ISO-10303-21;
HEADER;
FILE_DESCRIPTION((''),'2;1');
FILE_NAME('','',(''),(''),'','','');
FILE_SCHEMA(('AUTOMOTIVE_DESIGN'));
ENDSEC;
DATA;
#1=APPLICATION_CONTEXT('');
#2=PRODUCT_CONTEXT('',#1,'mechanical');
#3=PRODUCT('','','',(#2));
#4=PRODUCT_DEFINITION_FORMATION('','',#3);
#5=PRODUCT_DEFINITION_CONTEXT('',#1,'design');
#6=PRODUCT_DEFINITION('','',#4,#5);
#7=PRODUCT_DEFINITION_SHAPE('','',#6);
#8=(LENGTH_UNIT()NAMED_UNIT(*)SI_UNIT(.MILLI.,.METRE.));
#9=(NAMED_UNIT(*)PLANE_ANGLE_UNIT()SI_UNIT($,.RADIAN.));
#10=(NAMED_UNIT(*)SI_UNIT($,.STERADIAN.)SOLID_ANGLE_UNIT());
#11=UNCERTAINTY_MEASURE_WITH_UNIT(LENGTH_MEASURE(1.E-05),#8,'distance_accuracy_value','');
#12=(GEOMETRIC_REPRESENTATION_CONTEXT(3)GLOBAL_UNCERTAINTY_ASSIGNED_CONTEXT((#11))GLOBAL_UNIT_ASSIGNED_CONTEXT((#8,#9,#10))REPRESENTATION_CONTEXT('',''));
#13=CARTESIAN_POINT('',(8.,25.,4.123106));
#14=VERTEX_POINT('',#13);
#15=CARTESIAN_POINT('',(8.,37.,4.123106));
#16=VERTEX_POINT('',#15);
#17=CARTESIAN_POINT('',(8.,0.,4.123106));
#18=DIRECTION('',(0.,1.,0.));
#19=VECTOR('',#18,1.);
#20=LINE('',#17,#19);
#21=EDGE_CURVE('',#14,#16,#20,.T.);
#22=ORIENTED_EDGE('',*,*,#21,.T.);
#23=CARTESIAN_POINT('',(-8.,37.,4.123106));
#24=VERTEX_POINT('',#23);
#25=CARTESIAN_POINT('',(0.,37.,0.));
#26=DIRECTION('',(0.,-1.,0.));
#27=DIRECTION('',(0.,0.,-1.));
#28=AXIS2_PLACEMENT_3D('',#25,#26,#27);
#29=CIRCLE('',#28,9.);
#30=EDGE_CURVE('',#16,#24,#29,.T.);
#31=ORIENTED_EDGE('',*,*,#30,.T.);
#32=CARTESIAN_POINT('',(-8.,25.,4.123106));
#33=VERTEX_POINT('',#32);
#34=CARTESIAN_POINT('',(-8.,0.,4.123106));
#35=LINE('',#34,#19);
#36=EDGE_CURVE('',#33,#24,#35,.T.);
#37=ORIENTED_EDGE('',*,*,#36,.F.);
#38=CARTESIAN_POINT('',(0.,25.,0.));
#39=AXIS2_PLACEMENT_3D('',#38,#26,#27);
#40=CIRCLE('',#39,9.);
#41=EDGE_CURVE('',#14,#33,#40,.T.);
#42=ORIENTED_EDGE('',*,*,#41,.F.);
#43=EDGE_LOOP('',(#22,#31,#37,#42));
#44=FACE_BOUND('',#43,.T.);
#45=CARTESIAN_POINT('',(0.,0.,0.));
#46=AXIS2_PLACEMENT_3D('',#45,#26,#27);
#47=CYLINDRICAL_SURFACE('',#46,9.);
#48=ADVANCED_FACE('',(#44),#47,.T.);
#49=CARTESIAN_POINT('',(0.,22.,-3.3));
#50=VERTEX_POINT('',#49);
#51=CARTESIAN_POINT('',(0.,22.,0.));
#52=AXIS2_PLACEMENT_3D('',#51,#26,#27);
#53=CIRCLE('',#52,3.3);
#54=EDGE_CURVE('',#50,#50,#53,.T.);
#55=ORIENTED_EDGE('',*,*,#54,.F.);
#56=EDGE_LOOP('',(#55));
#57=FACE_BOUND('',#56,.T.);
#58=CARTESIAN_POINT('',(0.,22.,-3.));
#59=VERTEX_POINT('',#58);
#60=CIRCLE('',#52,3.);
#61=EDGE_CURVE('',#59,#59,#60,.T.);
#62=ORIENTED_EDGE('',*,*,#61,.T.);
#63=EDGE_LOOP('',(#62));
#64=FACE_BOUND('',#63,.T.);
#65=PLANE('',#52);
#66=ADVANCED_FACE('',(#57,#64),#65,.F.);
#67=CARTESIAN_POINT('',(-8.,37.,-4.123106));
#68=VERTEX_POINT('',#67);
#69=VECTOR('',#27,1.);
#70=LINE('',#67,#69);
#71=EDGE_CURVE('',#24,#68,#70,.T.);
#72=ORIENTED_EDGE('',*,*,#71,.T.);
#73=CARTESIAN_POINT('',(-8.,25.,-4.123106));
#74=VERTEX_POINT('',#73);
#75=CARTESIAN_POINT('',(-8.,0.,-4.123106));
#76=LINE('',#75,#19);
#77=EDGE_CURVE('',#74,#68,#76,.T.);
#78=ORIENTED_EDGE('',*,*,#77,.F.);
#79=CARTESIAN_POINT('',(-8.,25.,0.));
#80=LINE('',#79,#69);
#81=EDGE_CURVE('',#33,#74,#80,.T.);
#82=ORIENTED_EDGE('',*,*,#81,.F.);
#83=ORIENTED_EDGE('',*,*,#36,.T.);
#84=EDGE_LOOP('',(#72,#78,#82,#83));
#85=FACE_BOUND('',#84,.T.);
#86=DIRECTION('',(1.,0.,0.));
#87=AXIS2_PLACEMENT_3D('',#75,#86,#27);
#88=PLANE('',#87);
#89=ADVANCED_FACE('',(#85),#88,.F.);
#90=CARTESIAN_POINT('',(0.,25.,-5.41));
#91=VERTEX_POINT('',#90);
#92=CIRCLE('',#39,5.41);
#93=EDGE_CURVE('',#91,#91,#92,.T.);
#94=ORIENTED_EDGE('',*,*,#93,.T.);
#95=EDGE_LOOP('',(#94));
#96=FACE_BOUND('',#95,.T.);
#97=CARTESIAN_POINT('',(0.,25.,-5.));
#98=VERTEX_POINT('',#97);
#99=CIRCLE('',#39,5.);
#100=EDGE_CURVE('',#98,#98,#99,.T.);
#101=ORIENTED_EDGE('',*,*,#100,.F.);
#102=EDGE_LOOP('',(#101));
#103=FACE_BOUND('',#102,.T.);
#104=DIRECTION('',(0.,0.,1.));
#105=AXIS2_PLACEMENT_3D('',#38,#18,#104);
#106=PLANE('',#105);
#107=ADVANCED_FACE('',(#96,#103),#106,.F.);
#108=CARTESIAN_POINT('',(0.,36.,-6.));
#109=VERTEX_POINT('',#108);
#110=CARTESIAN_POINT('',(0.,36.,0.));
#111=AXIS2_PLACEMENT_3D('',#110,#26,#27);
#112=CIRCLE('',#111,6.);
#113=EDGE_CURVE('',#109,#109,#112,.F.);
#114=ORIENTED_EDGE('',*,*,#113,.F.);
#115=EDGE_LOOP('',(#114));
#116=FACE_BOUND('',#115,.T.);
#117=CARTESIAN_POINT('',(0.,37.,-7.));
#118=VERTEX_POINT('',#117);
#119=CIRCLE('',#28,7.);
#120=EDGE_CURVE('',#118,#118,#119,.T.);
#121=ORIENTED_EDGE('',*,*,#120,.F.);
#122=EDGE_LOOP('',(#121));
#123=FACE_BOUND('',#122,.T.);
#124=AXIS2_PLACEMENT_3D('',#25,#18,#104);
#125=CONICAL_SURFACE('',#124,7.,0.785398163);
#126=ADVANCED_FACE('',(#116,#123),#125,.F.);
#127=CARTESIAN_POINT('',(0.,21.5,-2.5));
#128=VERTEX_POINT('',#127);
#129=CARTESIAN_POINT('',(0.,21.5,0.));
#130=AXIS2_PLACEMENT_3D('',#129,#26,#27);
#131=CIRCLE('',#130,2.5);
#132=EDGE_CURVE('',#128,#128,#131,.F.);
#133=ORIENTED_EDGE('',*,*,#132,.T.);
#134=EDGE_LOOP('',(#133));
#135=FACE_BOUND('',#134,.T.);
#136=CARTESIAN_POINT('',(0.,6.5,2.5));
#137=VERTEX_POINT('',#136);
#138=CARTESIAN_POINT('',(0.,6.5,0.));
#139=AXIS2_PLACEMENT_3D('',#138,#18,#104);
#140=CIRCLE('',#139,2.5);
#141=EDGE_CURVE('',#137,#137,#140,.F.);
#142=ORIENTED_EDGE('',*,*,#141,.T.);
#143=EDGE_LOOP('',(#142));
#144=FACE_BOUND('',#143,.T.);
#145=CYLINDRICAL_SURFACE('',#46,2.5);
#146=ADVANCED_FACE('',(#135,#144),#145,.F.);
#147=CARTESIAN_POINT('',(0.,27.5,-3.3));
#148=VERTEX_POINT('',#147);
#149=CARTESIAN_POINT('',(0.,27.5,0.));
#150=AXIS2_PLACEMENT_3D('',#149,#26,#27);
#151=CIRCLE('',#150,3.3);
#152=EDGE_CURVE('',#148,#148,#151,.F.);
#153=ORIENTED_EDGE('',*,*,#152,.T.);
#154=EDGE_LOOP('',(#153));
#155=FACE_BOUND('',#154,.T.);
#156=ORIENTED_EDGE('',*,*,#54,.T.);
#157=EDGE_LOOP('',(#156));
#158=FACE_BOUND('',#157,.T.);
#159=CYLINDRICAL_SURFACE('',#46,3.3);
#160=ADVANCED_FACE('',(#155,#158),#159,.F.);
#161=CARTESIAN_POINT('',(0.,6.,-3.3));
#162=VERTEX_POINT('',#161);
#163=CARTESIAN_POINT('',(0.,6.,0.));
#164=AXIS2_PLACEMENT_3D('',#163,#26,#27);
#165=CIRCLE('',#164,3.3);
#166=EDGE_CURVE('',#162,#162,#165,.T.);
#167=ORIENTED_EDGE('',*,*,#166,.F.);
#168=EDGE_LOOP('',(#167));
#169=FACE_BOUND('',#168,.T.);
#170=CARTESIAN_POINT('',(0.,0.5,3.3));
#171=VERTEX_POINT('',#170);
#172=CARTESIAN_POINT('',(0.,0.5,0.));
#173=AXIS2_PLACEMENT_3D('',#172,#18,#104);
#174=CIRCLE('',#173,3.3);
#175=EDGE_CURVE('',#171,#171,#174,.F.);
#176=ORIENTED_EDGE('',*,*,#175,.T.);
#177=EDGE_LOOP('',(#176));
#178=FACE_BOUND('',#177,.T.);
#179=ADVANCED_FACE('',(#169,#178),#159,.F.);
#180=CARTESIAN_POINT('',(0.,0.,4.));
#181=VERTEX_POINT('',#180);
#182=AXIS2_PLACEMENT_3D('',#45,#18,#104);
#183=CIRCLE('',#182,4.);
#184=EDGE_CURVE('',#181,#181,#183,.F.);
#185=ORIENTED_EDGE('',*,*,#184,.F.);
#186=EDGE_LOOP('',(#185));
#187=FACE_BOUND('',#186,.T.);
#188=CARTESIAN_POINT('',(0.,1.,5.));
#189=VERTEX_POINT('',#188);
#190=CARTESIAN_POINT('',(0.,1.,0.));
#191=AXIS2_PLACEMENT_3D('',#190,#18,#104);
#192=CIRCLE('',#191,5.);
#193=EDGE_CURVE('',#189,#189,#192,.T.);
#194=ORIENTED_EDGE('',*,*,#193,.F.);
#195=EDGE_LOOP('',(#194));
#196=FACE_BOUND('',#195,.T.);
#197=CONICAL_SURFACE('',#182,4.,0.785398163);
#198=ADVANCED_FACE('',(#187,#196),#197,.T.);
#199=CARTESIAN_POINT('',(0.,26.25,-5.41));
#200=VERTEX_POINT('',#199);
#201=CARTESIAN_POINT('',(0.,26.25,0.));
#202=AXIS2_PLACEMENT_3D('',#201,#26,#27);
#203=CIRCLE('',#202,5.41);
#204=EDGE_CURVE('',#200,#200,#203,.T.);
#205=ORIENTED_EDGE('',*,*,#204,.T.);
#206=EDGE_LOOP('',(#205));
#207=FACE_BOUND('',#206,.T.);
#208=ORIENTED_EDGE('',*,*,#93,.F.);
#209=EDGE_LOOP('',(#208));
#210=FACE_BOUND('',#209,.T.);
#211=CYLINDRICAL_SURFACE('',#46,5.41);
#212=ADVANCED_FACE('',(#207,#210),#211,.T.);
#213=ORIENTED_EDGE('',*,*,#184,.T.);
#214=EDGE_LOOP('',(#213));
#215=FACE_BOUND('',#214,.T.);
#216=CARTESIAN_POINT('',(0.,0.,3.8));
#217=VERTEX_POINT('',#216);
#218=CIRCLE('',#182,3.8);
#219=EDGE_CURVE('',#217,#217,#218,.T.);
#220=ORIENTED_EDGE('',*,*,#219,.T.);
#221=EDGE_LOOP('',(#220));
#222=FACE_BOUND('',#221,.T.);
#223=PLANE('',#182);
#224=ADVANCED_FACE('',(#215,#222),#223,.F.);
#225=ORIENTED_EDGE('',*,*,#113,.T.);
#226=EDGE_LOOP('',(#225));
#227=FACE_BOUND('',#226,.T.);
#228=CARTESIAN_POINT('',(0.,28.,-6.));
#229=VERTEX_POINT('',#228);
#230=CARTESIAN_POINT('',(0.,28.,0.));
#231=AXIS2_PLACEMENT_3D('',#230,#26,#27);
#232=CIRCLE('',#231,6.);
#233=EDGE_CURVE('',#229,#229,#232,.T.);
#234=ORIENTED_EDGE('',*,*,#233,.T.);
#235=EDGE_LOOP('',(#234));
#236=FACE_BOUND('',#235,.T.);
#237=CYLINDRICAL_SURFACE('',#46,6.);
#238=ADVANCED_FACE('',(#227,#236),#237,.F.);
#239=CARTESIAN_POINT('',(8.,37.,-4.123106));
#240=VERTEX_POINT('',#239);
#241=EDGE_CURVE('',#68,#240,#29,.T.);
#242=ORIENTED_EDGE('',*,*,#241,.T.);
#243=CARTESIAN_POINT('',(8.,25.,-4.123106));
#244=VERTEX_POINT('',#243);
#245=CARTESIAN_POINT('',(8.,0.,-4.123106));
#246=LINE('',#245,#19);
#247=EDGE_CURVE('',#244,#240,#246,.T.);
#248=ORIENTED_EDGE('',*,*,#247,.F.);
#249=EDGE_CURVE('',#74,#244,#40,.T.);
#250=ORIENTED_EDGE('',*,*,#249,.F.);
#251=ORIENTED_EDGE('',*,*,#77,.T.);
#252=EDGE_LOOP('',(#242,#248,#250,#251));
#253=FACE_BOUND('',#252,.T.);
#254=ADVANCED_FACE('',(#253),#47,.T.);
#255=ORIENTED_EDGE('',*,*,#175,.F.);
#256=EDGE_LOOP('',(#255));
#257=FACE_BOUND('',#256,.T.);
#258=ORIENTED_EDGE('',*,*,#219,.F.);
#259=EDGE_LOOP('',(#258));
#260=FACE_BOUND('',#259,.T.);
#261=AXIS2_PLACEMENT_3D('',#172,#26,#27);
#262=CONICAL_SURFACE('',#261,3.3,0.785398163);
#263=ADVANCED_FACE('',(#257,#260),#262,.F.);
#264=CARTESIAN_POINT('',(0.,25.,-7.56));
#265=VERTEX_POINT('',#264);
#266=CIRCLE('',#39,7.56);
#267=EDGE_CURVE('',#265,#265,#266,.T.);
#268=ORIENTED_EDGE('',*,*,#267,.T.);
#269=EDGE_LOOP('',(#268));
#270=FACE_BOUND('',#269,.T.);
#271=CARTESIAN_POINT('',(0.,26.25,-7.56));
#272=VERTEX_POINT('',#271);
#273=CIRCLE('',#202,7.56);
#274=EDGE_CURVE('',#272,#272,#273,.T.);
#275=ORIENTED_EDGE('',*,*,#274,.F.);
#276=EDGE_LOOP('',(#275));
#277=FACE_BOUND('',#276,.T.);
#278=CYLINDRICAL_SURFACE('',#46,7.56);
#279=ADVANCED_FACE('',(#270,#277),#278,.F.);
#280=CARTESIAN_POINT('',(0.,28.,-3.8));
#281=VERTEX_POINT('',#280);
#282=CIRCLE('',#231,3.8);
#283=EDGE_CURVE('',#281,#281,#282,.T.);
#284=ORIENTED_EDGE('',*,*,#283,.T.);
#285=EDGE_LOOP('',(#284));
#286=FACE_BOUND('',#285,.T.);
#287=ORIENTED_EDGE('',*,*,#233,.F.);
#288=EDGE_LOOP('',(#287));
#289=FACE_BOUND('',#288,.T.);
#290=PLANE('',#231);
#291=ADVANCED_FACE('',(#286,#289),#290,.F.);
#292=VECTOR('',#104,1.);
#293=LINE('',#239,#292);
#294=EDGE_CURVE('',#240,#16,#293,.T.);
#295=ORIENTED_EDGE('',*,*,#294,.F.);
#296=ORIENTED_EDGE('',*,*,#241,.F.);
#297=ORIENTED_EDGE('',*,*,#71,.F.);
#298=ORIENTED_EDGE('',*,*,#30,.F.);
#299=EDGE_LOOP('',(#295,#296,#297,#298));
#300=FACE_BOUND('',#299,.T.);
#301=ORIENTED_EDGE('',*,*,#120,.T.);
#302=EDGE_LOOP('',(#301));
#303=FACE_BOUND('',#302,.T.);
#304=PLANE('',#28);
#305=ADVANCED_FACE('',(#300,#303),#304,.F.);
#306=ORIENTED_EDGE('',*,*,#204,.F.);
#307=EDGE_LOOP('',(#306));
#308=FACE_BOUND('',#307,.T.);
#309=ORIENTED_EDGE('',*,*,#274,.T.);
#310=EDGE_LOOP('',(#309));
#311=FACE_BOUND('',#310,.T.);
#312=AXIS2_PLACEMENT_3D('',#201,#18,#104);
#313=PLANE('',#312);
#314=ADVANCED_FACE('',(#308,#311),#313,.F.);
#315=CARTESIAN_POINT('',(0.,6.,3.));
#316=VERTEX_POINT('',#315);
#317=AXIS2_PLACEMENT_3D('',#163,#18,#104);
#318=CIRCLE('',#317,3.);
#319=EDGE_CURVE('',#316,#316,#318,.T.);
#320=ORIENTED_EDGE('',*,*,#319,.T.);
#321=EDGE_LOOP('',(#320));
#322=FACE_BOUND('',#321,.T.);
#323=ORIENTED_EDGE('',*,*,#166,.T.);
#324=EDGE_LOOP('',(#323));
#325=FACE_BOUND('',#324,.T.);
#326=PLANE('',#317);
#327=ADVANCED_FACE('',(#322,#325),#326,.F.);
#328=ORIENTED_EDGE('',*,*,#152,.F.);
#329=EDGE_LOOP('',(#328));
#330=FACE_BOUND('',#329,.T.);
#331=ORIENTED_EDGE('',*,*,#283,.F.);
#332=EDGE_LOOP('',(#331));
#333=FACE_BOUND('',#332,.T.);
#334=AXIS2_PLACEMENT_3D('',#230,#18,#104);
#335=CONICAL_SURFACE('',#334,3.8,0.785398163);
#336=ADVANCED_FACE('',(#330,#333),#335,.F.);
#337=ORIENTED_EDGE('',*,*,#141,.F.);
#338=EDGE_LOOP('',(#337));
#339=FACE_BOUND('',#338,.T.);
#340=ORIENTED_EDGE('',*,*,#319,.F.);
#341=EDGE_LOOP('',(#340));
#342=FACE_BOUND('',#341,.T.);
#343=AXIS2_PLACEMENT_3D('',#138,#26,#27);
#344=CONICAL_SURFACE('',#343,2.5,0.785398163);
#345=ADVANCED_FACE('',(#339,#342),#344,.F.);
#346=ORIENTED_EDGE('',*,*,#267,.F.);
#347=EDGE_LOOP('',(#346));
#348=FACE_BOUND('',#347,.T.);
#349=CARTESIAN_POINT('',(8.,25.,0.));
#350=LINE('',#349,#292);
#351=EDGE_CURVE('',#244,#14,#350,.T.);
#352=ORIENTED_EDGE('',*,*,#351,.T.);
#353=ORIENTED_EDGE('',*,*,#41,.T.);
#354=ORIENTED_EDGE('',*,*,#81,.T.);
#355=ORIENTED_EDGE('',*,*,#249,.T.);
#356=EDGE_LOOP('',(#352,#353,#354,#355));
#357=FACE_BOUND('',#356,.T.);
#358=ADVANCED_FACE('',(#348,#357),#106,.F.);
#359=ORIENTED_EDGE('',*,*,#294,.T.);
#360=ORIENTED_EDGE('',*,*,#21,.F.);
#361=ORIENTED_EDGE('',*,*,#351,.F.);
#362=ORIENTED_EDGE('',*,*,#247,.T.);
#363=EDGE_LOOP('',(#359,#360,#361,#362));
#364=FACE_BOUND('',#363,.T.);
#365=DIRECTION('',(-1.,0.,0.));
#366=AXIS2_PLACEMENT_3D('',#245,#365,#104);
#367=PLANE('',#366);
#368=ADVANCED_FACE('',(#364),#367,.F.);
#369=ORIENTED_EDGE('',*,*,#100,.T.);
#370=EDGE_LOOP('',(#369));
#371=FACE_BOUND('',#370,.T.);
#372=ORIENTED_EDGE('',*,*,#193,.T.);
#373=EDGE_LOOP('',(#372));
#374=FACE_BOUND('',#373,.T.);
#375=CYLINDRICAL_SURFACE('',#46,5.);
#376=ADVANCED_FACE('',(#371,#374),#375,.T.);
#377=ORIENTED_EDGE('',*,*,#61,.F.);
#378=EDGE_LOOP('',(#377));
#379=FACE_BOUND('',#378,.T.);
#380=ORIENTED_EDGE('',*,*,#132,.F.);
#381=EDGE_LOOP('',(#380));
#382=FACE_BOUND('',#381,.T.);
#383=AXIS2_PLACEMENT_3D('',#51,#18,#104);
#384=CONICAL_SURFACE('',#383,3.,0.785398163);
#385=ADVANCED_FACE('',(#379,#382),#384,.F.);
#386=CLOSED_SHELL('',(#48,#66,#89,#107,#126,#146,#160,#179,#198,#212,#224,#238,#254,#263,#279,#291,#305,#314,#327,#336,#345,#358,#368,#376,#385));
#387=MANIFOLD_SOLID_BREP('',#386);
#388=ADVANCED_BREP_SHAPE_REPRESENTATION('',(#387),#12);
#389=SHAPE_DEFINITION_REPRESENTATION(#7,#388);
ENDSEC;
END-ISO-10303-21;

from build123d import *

# Parameters (mm, degrees)
ENL_V_MAT_EXTRU_1_DEPTH = 40.127995093
CHANFREIN1_SIZE         = 1
CHANFREIN2_SIZE         = 0.5
CHANFREIN3_SIZE         = 1


with BuildPart() as part:
    # Esquisse1 → Révolution1 (revolve)
    with BuildSketch(Plane.XY, mode=Mode.PRIVATE) as r_volution1_sk:
        Polygon((3.3, 6), (2.5, 6), (2.5, 22), (3.3, 22), (3.3, 28), (6, 28), (6, 37), (9, 37), (9, 25), (7.56, 25), (7.56, 26.25), (5.41, 26.25), (5.41, 25), (5, 25), (5, 0), (3.3, 0), align=None)
    revolve(r_volution1_sk.sketch.rotate(Axis((0, 0, 0), (0, 1, 0)), 90), axis=Axis((0, 0, 0), (0, 1, 0)))

    # Esquisse2 → Enlèv. mat.-Extru.1 (cut, through all)
    with BuildSketch(Plane(origin=(0, 37, 0), x_dir=(1, 0, 0), z_dir=(0, 1, 0))):
        with BuildLine():
            Line((-8, 4.123105626), (-8, -4.123105626))
            ThreePointArc((-8, -4.123105626), (-9, 0), (-8, 4.123105626))
        make_face()
        with BuildLine():
            Line((8, 4.123105626), (8, -4.123105626))
            ThreePointArc((8, -4.123105626), (9, 0), (8, 4.123105626))
        make_face()
    extrude(amount=-ENL_V_MAT_EXTRU_1_DEPTH, mode=Mode.SUBTRACT)

    # Chanfrein1
    chanfrein1_edges = [part.edges().sort_by_distance(p)[0] for p in [
        (0, 37, 6),
    ]]
    chamfer(chanfrein1_edges, length=CHANFREIN1_SIZE)

    # Chanfrein2
    chanfrein2_edges = [part.edges().sort_by_distance(p)[0] for p in [
        (0, 6, 2.5),
        (0, 22, 2.5),
        (0, 28, 3.3),
        (0, 0, 3.3),
    ]]
    chamfer(chanfrein2_edges, length=CHANFREIN2_SIZE)

    # Chanfrein3
    chanfrein3_edges = [part.edges().sort_by_distance(p)[0] for p in [
        (0, 0, 5),
    ]]
    chamfer(chanfrein3_edges, length=CHANFREIN3_SIZE)


solid = part.part
